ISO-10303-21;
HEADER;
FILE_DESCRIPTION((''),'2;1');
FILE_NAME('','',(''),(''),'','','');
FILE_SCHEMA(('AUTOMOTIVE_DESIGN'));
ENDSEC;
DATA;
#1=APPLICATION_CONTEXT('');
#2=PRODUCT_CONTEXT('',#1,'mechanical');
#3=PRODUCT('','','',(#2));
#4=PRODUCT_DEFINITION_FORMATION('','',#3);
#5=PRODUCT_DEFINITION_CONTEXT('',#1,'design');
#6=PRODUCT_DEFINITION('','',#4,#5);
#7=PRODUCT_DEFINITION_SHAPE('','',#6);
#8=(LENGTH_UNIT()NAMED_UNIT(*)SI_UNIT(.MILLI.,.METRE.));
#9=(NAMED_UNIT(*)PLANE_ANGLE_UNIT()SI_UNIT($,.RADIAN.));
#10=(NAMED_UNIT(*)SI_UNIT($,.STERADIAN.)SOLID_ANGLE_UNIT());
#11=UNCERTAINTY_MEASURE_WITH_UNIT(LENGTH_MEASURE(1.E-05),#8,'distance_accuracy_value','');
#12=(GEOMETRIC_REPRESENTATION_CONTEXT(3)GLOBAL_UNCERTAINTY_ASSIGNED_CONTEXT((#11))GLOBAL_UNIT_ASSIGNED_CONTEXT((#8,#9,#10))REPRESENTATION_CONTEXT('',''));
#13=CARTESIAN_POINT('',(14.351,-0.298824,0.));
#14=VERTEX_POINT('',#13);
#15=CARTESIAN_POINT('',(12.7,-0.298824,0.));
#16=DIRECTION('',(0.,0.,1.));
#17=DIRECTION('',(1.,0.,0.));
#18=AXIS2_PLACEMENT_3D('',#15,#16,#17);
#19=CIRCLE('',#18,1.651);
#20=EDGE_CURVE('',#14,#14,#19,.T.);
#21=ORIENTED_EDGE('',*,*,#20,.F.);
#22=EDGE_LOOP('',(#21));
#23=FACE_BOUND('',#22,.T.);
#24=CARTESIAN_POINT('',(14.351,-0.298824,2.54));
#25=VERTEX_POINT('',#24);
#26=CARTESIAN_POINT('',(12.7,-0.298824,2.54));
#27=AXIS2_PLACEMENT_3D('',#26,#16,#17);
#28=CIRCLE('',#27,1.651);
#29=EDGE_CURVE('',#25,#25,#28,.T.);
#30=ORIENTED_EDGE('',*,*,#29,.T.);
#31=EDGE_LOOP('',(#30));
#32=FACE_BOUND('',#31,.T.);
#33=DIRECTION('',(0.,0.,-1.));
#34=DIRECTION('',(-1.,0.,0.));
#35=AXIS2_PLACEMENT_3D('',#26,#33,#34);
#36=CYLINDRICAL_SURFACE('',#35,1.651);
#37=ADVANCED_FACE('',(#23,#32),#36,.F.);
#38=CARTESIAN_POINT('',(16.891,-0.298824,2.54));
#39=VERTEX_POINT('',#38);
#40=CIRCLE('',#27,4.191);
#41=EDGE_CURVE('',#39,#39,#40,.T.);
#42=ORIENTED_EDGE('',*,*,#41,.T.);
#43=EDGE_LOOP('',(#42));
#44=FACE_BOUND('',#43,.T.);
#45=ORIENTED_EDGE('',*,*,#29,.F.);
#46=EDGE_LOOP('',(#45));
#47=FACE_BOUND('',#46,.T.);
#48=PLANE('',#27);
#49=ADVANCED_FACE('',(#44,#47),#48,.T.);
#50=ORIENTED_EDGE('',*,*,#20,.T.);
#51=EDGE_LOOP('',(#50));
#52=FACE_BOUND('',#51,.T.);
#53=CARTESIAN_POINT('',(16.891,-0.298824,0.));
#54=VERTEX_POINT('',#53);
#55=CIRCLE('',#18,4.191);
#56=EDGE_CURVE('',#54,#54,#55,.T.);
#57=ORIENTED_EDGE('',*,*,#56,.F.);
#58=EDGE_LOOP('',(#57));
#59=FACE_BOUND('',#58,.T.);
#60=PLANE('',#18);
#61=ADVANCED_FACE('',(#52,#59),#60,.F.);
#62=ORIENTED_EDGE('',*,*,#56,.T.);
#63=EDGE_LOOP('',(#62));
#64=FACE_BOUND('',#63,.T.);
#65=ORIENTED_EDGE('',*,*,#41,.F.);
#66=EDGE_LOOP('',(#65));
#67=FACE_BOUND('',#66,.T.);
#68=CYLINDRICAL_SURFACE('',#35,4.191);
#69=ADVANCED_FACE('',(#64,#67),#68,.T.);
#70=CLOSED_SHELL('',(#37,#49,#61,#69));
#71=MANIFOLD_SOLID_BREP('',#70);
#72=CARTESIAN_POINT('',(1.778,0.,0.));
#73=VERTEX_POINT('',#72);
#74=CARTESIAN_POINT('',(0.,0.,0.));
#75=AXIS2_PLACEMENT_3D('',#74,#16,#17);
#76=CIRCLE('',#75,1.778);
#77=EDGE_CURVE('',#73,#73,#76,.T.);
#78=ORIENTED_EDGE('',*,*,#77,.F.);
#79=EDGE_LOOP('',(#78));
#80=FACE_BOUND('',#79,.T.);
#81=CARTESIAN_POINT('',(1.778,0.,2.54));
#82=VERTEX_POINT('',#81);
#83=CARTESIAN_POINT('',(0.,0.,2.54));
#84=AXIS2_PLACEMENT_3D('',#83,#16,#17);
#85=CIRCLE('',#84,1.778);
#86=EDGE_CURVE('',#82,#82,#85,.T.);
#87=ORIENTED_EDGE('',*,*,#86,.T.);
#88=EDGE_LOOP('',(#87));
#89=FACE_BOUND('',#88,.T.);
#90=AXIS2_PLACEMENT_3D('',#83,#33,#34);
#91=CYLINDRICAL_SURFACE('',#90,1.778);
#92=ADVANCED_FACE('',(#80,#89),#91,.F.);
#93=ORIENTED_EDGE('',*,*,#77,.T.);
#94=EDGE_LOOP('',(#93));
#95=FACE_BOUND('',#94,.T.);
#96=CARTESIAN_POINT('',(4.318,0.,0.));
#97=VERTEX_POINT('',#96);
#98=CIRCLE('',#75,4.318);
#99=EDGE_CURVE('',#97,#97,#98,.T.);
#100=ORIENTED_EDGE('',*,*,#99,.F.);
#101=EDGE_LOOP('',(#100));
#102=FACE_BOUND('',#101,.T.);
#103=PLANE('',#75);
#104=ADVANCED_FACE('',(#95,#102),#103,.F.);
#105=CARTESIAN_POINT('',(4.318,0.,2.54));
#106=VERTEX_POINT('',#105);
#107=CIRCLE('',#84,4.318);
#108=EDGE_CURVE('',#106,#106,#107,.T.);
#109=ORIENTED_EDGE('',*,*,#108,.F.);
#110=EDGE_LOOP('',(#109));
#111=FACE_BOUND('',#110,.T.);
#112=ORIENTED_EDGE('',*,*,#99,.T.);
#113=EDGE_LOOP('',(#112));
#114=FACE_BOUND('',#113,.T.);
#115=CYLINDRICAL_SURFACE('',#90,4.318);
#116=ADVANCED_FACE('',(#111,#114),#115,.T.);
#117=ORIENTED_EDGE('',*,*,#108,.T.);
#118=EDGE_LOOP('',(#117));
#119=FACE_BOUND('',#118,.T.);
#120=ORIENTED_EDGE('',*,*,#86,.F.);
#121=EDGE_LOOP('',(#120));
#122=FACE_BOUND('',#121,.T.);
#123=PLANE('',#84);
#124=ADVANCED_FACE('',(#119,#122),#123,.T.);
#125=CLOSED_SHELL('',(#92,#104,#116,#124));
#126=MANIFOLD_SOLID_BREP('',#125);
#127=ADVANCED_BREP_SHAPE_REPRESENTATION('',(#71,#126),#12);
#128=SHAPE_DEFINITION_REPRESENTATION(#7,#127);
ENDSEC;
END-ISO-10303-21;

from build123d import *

# Parameters (mm, degrees)
SKETCH1_R             = 4.318
SKETCH1_R_2           = 1.778
BOSS_EXTRUDE1_DEPTH   = 2.54
SKETCH1_R_3           = 4.191
SKETCH1_R_4           = 1.651
BOSS_EXTRUDE1_2_DEPTH = 2.54


with BuildPart() as part:
    # Sketch1 → Boss-Extrude1 (new body)
    with BuildSketch(Plane.XY):
        Circle(SKETCH1_R)
        Circle(SKETCH1_R_2, mode=Mode.SUBTRACT)
    extrude(amount=BOSS_EXTRUDE1_DEPTH)


with BuildPart() as body_2:
    # Sketch1 → Boss-Extrude1 2 (new body)
    with BuildSketch(Plane.XY):
        with Locations((12.7, -0.298823529)):
            Circle(SKETCH1_R_3)
        with Locations((12.7, -0.298823529)):
            Circle(SKETCH1_R_4, mode=Mode.SUBTRACT)
    extrude(amount=BOSS_EXTRUDE1_2_DEPTH)


solid = Compound([part.part, body_2.part])
